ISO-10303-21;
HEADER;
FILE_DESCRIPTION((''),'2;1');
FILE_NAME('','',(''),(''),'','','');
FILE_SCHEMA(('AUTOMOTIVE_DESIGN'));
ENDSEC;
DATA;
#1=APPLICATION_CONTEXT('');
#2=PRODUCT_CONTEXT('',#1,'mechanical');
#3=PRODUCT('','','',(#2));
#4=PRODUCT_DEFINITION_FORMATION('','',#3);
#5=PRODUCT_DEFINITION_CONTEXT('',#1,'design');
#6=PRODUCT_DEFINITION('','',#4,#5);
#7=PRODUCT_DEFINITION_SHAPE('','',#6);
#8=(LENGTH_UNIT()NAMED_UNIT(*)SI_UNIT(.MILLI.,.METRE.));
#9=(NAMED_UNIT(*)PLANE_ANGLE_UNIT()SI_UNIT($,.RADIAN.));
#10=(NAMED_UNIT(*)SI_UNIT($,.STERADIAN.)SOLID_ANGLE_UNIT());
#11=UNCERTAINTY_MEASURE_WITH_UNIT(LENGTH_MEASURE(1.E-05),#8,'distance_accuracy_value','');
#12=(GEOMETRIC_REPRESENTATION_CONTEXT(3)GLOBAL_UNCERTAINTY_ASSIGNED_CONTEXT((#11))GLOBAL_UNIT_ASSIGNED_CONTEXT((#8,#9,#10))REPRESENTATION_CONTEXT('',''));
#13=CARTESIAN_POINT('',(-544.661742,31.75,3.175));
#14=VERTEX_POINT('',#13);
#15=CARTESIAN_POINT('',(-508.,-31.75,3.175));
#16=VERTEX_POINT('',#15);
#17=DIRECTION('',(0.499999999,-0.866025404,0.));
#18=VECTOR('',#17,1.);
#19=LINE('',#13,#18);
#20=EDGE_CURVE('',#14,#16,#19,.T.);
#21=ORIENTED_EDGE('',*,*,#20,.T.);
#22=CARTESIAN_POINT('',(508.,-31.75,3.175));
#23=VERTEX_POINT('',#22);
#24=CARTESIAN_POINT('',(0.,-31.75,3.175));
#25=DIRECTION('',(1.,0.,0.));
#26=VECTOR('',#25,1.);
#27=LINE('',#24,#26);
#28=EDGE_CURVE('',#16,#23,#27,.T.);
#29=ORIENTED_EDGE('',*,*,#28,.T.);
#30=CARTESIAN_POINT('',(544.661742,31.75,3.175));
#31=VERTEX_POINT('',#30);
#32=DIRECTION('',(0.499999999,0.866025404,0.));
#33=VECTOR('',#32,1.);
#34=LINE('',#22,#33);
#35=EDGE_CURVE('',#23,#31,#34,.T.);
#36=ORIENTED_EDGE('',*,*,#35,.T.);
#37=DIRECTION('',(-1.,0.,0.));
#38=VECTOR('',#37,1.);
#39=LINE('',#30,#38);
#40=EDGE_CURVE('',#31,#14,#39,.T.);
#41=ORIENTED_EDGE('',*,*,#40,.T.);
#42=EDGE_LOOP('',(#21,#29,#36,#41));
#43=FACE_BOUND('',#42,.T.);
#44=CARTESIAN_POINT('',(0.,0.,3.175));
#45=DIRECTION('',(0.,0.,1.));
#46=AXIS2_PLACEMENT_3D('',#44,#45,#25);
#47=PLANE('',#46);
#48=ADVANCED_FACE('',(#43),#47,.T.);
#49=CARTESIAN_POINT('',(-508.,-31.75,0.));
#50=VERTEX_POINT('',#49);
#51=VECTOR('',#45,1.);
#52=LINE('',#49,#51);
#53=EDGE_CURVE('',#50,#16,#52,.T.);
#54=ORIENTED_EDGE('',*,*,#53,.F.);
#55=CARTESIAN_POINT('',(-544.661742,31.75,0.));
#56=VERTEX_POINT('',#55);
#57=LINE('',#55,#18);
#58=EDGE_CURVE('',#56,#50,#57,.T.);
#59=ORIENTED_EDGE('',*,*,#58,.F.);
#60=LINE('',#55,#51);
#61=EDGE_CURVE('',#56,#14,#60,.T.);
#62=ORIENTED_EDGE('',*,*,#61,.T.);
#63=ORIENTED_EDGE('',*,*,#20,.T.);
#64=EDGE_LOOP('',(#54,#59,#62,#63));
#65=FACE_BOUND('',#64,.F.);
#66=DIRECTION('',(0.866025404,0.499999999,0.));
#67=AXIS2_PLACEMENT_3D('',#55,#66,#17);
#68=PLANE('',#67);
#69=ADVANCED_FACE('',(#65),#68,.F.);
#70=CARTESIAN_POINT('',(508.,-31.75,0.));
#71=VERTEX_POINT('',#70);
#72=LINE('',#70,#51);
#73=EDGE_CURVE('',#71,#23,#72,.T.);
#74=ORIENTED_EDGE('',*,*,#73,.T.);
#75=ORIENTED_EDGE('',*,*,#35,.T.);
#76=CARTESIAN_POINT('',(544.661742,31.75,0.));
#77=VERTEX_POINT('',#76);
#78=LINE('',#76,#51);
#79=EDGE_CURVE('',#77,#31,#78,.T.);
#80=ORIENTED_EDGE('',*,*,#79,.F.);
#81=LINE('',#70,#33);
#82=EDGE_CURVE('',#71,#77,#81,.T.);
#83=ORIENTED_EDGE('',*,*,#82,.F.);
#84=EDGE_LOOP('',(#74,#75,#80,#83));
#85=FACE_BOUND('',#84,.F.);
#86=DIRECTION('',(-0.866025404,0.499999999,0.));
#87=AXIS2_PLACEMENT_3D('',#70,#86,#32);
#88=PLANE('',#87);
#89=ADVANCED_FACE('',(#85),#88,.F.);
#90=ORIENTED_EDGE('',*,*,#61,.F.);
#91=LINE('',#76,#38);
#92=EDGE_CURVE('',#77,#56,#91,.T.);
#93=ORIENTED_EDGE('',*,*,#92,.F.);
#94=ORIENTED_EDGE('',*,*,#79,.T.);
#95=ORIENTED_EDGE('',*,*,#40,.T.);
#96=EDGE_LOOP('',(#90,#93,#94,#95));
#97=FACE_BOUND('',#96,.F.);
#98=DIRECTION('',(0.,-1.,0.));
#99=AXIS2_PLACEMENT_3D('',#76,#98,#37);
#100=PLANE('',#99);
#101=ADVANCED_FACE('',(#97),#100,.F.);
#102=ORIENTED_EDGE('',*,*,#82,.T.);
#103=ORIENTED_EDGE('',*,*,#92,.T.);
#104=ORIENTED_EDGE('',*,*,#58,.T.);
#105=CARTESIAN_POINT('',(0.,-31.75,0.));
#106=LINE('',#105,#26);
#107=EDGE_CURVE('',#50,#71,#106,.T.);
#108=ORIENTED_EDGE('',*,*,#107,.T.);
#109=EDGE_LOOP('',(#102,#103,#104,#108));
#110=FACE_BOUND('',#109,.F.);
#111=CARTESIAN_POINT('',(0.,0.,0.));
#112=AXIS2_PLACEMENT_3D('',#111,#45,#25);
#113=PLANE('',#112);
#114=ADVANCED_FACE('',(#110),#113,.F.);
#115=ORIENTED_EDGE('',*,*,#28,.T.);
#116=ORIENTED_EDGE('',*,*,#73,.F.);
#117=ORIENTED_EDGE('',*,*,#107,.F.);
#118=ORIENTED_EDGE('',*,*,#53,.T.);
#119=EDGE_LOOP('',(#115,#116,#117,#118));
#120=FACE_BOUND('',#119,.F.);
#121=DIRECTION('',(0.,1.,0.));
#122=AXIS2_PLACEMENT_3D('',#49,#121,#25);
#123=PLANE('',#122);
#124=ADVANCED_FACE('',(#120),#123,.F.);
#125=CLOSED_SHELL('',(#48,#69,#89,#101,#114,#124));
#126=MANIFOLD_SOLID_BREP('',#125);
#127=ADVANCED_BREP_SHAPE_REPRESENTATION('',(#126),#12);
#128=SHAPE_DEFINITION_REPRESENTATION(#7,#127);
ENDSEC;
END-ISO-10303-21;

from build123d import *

# Parameters (mm, degrees)
F0_W     = 1016
F0_H     = 63.5
F1_DEPTH = 3.175


with BuildPart() as f1:
    # F0 (on Top) → F1 (new body)
    with BuildSketch(Plane.XY):
        Rectangle(F0_W, F0_H)
        Polygon((544.661742, 31.75), (508, 31.75), (508, -31.75), align=None)
        Polygon((-508, -31.75), (-508, 31.75), (-544.661742, 31.75), align=None)
    extrude(amount=F1_DEPTH)


solid = f1.part
